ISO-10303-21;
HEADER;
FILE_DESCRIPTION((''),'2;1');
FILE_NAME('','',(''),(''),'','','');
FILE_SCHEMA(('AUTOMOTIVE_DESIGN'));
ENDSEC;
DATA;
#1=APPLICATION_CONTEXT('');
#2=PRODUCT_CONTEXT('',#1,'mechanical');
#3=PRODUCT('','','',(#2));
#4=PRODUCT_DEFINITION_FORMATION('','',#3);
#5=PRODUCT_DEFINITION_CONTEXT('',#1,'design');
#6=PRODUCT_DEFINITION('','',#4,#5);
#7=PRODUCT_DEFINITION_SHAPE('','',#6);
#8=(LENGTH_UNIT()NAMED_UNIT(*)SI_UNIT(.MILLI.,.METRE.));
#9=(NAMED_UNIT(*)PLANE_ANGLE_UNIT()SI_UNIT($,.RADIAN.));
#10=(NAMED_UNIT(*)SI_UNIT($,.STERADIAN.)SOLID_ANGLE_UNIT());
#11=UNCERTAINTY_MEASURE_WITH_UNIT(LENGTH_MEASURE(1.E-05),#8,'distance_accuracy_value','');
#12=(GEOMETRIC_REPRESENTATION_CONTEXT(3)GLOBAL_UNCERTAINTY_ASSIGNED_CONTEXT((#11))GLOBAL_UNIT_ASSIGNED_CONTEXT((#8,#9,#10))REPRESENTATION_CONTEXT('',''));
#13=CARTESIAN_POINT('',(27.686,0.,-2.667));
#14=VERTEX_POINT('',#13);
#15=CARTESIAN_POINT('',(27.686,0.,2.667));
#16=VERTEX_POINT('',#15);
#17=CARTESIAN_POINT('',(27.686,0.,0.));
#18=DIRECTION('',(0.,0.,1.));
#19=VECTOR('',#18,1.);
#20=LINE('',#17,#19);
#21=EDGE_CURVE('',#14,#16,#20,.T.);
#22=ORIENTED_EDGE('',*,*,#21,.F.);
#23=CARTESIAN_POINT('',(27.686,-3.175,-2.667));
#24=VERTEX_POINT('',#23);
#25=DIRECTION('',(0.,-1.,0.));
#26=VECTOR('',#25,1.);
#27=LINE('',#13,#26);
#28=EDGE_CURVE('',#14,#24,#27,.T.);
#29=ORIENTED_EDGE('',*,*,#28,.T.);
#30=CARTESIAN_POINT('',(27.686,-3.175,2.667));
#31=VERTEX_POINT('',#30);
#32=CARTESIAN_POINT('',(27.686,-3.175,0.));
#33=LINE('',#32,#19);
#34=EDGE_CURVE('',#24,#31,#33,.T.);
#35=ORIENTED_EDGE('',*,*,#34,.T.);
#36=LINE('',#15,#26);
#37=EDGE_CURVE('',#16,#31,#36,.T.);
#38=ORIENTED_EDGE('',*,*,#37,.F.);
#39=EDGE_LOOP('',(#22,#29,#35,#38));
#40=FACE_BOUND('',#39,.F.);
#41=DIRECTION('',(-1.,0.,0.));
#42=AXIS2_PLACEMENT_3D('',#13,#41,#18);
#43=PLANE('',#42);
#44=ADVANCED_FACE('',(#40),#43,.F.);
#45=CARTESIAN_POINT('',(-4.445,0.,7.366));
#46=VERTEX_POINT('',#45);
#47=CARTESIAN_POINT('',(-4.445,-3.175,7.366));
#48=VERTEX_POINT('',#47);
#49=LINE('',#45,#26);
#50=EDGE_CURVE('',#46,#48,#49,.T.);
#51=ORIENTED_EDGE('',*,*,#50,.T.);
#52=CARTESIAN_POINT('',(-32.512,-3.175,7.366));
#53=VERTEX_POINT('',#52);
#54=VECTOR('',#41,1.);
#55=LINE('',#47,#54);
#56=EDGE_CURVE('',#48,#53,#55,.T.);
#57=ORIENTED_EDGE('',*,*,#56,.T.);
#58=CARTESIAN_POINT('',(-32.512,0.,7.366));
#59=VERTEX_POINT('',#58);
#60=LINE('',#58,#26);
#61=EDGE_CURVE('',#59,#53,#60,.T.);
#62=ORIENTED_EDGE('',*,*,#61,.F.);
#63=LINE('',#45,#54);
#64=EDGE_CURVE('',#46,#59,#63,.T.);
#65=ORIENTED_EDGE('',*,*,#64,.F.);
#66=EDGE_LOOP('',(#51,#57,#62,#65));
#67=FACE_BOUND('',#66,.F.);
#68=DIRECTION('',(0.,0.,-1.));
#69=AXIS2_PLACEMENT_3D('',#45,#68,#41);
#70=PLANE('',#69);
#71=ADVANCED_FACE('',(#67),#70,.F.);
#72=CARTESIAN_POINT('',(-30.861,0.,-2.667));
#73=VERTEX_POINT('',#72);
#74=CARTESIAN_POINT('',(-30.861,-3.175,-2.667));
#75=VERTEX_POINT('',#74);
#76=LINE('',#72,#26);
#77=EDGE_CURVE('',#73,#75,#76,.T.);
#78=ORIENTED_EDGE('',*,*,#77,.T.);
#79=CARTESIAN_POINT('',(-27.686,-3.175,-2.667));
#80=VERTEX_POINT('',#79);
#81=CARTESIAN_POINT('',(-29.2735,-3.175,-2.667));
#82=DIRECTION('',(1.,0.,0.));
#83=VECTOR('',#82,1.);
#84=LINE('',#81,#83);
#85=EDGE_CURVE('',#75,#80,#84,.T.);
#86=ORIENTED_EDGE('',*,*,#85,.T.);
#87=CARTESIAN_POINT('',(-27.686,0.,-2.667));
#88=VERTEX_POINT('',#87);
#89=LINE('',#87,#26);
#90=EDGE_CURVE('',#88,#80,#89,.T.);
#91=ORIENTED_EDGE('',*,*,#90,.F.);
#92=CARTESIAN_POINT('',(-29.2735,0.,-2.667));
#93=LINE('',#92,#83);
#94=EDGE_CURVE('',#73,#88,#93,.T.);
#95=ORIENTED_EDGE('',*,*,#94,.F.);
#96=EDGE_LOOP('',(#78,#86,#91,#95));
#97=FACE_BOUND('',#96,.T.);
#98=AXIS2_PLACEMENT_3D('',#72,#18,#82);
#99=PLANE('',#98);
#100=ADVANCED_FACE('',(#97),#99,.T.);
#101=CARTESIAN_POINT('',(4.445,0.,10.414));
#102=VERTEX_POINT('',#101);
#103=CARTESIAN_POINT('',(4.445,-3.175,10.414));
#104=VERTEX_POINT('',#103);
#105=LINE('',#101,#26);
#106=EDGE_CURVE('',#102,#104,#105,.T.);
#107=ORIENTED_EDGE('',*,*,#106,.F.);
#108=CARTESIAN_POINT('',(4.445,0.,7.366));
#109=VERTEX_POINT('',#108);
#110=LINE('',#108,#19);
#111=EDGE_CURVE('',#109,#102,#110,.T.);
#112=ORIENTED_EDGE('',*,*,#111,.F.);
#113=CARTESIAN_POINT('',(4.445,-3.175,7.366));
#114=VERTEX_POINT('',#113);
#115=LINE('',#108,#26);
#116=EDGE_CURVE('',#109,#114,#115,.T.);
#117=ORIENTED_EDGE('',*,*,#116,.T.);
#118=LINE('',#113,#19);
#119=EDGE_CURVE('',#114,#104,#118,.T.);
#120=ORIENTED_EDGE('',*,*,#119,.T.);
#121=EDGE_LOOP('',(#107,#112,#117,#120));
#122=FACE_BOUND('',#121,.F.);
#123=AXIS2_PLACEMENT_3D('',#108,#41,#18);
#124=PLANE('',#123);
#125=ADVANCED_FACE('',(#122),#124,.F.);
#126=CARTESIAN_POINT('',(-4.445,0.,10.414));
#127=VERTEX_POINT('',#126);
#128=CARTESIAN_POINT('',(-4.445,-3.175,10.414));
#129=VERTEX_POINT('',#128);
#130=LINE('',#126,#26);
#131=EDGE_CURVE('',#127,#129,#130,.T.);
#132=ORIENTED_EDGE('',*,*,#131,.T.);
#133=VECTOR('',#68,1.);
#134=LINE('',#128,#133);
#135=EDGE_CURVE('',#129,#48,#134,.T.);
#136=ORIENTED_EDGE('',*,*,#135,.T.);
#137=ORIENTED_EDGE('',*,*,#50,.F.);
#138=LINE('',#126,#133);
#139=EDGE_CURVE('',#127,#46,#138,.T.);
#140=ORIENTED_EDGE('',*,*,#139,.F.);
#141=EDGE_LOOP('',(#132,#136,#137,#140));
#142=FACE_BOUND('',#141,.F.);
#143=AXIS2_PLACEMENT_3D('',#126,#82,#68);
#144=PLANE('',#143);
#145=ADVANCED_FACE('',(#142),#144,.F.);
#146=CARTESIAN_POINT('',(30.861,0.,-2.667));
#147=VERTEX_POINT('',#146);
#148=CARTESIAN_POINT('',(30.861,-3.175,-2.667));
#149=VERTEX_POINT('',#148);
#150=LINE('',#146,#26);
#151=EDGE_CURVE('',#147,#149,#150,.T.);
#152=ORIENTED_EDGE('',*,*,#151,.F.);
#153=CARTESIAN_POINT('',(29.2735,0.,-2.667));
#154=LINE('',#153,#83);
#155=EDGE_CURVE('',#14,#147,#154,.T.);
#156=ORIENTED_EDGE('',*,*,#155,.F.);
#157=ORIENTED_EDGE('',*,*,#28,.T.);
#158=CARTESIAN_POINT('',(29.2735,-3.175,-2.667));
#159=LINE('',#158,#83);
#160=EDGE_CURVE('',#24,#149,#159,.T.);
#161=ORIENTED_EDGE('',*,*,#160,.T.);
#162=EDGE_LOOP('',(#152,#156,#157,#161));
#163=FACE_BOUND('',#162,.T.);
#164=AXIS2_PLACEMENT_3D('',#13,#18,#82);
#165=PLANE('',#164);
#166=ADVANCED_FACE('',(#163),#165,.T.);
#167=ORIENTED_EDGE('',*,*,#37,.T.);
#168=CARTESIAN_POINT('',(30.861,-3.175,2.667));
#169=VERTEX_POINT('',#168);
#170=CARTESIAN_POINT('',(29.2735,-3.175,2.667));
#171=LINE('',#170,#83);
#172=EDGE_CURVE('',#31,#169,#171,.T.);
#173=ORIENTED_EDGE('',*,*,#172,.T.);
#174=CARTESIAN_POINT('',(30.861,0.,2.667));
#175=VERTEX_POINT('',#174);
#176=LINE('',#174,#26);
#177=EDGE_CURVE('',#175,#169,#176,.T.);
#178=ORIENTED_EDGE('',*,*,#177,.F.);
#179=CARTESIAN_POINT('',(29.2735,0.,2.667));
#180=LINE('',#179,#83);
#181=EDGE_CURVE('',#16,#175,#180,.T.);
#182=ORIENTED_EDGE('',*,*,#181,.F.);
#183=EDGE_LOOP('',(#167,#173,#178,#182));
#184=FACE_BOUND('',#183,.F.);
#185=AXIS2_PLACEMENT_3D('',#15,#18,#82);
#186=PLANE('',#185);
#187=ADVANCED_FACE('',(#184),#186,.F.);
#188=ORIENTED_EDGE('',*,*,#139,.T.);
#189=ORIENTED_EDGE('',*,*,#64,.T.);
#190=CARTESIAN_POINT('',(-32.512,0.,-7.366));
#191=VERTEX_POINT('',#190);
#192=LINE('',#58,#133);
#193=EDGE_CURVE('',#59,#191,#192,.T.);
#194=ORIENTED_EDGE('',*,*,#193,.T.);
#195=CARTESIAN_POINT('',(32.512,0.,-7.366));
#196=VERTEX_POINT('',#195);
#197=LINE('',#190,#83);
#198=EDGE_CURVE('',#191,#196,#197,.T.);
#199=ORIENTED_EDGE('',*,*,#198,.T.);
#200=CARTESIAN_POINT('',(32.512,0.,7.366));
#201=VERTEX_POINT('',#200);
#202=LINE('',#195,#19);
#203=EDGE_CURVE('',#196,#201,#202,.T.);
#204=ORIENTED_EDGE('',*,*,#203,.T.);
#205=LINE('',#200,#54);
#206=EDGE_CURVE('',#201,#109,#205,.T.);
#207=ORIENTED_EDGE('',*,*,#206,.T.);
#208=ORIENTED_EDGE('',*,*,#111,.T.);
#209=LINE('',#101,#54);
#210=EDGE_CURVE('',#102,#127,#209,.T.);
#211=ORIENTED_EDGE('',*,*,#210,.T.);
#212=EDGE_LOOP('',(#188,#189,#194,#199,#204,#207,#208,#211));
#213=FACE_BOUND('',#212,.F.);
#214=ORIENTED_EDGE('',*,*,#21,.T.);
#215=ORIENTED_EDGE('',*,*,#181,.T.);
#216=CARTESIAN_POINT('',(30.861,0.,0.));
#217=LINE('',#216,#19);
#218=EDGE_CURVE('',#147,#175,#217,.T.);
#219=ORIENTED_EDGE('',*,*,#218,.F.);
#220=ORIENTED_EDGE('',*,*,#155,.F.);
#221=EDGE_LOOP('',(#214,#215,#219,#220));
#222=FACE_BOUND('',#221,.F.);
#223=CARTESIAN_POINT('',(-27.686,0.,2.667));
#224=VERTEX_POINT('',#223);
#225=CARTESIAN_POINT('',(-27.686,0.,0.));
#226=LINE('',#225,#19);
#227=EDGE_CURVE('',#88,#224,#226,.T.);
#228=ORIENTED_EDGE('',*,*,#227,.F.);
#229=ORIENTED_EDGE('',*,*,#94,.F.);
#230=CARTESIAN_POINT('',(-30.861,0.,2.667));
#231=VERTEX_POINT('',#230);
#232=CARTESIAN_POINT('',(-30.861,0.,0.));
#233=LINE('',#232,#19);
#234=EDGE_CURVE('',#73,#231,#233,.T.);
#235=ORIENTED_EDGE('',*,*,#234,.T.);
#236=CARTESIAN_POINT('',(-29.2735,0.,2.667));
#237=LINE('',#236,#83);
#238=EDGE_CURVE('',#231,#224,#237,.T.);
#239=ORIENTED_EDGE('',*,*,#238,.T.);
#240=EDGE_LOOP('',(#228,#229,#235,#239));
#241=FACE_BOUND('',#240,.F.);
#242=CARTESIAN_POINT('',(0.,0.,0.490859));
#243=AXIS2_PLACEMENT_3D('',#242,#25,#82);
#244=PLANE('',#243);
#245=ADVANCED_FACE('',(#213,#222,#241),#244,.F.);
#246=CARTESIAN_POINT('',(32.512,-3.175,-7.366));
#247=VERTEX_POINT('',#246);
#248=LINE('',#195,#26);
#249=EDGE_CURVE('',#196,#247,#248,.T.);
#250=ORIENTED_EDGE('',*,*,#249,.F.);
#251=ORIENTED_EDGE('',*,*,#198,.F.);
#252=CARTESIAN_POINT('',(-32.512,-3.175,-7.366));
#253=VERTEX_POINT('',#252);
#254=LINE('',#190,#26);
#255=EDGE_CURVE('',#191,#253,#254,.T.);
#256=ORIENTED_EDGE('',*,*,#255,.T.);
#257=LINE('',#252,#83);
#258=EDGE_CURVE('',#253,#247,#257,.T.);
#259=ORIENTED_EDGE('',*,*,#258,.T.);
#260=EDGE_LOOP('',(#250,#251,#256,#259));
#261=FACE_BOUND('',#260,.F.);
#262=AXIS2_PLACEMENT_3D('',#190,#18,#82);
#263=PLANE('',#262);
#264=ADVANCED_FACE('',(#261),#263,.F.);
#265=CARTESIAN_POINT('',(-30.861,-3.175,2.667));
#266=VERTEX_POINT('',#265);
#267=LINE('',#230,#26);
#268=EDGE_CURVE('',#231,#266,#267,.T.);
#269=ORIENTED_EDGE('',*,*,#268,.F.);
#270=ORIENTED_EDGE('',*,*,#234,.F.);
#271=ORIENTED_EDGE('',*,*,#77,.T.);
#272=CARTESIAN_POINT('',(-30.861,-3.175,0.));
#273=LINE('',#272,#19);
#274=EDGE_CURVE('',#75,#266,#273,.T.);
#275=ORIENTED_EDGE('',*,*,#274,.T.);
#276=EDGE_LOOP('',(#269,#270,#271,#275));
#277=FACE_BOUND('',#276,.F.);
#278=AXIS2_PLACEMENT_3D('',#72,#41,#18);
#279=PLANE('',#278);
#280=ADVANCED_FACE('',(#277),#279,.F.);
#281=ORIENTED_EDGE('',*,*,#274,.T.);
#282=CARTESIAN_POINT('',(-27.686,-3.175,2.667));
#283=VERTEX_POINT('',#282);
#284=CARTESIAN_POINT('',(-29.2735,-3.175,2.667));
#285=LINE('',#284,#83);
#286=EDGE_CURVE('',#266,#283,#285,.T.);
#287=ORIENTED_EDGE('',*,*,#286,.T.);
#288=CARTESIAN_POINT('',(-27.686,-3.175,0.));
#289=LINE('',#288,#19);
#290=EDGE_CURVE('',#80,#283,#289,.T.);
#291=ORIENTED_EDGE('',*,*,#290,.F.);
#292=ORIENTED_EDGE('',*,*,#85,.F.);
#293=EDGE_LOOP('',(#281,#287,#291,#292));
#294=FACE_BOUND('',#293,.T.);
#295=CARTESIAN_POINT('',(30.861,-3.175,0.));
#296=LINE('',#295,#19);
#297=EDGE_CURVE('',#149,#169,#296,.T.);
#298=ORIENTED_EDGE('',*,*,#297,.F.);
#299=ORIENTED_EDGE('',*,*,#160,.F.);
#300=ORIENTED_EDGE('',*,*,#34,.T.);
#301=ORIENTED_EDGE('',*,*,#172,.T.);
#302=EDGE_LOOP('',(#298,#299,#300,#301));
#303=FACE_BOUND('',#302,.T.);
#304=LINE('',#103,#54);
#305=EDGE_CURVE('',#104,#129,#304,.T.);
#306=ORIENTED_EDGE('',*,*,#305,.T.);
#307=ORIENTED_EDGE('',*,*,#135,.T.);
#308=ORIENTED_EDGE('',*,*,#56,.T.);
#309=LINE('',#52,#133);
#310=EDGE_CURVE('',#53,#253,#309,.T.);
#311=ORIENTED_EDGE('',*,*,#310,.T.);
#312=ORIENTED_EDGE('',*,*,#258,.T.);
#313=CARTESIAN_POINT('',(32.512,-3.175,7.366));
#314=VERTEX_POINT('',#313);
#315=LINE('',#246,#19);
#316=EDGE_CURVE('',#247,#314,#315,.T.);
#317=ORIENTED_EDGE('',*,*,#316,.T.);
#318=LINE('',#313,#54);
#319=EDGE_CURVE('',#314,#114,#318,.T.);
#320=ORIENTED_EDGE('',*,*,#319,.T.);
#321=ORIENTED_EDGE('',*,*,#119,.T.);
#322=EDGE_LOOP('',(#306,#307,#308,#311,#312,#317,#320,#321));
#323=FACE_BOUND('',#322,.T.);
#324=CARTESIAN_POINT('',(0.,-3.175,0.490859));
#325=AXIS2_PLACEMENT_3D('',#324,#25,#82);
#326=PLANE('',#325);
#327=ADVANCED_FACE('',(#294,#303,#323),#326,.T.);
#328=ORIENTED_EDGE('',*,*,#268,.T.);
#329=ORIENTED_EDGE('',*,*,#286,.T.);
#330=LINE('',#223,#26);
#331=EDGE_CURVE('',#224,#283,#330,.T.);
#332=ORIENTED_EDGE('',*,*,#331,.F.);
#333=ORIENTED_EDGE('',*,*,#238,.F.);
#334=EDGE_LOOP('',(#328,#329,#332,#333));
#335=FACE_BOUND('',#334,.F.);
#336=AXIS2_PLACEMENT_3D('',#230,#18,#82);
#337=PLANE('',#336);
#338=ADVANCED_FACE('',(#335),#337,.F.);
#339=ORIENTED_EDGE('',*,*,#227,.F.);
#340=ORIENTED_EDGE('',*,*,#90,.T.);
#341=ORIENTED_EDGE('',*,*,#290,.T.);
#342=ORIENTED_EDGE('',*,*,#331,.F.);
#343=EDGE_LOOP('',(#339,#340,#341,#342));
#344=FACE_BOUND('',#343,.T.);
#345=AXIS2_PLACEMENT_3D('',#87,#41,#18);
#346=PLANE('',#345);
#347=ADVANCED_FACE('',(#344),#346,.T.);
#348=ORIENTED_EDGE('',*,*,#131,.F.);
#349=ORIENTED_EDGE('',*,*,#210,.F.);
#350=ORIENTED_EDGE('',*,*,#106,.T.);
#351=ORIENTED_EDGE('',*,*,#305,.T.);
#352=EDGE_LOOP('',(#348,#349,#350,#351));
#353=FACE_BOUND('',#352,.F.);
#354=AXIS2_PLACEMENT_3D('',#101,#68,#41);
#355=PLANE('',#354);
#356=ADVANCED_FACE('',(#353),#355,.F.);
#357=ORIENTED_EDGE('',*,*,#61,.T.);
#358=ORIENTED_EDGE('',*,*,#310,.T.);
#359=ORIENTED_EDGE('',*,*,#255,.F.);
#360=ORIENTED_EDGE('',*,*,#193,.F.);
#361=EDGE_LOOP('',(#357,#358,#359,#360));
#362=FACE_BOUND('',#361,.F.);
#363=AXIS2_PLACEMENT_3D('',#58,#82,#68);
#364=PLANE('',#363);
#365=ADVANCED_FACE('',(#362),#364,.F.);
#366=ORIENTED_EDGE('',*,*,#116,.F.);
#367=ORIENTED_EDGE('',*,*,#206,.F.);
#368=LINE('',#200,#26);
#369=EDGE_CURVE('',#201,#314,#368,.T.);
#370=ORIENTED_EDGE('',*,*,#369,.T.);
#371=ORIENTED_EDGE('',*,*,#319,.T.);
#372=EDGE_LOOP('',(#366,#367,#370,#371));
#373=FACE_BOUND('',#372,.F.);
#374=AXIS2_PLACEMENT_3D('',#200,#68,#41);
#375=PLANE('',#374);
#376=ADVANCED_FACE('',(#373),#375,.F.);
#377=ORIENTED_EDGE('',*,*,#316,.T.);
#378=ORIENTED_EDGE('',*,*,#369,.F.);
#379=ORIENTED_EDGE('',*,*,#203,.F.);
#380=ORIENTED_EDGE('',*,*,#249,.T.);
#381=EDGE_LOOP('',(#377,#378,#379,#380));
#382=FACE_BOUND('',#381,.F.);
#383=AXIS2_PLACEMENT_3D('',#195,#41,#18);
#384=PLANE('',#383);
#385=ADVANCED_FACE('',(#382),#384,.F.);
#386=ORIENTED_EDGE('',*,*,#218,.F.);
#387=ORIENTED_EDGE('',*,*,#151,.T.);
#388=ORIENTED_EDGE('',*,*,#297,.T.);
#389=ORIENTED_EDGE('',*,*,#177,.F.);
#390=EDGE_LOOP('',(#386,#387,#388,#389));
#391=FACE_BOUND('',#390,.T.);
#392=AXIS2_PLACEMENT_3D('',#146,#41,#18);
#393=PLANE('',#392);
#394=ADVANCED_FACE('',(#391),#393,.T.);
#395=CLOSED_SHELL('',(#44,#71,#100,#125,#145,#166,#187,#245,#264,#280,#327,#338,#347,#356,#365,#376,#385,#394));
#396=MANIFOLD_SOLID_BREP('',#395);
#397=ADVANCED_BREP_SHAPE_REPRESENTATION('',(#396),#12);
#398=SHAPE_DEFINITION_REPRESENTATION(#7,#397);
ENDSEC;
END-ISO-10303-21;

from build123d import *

# Parameters (mm, degrees)
F0_W     = 3.175
F0_H     = 5.334
F1_DEPTH = 3.175


with BuildPart() as f1:
    # F0 (on Front) → F1 (new body)
    with BuildSketch(Plane.XZ):
        Polygon((-32.512, 7.366), (-32.512, -7.366), (-12.827, -7.366), (18.288, -7.366), (32.512, -7.366), (32.512, 7.366), (4.445, 7.366), (4.445, 10.414), (-4.445, 10.414), (-4.445, 7.366), align=None)
        with Locations((-29.2735, 0)):
            Rectangle(F0_W, F0_H, mode=Mode.SUBTRACT)
        with Locations((29.2735, 0)):
            Rectangle(F0_W, F0_H, mode=Mode.SUBTRACT)
    extrude(amount=F1_DEPTH)


solid = f1.part
